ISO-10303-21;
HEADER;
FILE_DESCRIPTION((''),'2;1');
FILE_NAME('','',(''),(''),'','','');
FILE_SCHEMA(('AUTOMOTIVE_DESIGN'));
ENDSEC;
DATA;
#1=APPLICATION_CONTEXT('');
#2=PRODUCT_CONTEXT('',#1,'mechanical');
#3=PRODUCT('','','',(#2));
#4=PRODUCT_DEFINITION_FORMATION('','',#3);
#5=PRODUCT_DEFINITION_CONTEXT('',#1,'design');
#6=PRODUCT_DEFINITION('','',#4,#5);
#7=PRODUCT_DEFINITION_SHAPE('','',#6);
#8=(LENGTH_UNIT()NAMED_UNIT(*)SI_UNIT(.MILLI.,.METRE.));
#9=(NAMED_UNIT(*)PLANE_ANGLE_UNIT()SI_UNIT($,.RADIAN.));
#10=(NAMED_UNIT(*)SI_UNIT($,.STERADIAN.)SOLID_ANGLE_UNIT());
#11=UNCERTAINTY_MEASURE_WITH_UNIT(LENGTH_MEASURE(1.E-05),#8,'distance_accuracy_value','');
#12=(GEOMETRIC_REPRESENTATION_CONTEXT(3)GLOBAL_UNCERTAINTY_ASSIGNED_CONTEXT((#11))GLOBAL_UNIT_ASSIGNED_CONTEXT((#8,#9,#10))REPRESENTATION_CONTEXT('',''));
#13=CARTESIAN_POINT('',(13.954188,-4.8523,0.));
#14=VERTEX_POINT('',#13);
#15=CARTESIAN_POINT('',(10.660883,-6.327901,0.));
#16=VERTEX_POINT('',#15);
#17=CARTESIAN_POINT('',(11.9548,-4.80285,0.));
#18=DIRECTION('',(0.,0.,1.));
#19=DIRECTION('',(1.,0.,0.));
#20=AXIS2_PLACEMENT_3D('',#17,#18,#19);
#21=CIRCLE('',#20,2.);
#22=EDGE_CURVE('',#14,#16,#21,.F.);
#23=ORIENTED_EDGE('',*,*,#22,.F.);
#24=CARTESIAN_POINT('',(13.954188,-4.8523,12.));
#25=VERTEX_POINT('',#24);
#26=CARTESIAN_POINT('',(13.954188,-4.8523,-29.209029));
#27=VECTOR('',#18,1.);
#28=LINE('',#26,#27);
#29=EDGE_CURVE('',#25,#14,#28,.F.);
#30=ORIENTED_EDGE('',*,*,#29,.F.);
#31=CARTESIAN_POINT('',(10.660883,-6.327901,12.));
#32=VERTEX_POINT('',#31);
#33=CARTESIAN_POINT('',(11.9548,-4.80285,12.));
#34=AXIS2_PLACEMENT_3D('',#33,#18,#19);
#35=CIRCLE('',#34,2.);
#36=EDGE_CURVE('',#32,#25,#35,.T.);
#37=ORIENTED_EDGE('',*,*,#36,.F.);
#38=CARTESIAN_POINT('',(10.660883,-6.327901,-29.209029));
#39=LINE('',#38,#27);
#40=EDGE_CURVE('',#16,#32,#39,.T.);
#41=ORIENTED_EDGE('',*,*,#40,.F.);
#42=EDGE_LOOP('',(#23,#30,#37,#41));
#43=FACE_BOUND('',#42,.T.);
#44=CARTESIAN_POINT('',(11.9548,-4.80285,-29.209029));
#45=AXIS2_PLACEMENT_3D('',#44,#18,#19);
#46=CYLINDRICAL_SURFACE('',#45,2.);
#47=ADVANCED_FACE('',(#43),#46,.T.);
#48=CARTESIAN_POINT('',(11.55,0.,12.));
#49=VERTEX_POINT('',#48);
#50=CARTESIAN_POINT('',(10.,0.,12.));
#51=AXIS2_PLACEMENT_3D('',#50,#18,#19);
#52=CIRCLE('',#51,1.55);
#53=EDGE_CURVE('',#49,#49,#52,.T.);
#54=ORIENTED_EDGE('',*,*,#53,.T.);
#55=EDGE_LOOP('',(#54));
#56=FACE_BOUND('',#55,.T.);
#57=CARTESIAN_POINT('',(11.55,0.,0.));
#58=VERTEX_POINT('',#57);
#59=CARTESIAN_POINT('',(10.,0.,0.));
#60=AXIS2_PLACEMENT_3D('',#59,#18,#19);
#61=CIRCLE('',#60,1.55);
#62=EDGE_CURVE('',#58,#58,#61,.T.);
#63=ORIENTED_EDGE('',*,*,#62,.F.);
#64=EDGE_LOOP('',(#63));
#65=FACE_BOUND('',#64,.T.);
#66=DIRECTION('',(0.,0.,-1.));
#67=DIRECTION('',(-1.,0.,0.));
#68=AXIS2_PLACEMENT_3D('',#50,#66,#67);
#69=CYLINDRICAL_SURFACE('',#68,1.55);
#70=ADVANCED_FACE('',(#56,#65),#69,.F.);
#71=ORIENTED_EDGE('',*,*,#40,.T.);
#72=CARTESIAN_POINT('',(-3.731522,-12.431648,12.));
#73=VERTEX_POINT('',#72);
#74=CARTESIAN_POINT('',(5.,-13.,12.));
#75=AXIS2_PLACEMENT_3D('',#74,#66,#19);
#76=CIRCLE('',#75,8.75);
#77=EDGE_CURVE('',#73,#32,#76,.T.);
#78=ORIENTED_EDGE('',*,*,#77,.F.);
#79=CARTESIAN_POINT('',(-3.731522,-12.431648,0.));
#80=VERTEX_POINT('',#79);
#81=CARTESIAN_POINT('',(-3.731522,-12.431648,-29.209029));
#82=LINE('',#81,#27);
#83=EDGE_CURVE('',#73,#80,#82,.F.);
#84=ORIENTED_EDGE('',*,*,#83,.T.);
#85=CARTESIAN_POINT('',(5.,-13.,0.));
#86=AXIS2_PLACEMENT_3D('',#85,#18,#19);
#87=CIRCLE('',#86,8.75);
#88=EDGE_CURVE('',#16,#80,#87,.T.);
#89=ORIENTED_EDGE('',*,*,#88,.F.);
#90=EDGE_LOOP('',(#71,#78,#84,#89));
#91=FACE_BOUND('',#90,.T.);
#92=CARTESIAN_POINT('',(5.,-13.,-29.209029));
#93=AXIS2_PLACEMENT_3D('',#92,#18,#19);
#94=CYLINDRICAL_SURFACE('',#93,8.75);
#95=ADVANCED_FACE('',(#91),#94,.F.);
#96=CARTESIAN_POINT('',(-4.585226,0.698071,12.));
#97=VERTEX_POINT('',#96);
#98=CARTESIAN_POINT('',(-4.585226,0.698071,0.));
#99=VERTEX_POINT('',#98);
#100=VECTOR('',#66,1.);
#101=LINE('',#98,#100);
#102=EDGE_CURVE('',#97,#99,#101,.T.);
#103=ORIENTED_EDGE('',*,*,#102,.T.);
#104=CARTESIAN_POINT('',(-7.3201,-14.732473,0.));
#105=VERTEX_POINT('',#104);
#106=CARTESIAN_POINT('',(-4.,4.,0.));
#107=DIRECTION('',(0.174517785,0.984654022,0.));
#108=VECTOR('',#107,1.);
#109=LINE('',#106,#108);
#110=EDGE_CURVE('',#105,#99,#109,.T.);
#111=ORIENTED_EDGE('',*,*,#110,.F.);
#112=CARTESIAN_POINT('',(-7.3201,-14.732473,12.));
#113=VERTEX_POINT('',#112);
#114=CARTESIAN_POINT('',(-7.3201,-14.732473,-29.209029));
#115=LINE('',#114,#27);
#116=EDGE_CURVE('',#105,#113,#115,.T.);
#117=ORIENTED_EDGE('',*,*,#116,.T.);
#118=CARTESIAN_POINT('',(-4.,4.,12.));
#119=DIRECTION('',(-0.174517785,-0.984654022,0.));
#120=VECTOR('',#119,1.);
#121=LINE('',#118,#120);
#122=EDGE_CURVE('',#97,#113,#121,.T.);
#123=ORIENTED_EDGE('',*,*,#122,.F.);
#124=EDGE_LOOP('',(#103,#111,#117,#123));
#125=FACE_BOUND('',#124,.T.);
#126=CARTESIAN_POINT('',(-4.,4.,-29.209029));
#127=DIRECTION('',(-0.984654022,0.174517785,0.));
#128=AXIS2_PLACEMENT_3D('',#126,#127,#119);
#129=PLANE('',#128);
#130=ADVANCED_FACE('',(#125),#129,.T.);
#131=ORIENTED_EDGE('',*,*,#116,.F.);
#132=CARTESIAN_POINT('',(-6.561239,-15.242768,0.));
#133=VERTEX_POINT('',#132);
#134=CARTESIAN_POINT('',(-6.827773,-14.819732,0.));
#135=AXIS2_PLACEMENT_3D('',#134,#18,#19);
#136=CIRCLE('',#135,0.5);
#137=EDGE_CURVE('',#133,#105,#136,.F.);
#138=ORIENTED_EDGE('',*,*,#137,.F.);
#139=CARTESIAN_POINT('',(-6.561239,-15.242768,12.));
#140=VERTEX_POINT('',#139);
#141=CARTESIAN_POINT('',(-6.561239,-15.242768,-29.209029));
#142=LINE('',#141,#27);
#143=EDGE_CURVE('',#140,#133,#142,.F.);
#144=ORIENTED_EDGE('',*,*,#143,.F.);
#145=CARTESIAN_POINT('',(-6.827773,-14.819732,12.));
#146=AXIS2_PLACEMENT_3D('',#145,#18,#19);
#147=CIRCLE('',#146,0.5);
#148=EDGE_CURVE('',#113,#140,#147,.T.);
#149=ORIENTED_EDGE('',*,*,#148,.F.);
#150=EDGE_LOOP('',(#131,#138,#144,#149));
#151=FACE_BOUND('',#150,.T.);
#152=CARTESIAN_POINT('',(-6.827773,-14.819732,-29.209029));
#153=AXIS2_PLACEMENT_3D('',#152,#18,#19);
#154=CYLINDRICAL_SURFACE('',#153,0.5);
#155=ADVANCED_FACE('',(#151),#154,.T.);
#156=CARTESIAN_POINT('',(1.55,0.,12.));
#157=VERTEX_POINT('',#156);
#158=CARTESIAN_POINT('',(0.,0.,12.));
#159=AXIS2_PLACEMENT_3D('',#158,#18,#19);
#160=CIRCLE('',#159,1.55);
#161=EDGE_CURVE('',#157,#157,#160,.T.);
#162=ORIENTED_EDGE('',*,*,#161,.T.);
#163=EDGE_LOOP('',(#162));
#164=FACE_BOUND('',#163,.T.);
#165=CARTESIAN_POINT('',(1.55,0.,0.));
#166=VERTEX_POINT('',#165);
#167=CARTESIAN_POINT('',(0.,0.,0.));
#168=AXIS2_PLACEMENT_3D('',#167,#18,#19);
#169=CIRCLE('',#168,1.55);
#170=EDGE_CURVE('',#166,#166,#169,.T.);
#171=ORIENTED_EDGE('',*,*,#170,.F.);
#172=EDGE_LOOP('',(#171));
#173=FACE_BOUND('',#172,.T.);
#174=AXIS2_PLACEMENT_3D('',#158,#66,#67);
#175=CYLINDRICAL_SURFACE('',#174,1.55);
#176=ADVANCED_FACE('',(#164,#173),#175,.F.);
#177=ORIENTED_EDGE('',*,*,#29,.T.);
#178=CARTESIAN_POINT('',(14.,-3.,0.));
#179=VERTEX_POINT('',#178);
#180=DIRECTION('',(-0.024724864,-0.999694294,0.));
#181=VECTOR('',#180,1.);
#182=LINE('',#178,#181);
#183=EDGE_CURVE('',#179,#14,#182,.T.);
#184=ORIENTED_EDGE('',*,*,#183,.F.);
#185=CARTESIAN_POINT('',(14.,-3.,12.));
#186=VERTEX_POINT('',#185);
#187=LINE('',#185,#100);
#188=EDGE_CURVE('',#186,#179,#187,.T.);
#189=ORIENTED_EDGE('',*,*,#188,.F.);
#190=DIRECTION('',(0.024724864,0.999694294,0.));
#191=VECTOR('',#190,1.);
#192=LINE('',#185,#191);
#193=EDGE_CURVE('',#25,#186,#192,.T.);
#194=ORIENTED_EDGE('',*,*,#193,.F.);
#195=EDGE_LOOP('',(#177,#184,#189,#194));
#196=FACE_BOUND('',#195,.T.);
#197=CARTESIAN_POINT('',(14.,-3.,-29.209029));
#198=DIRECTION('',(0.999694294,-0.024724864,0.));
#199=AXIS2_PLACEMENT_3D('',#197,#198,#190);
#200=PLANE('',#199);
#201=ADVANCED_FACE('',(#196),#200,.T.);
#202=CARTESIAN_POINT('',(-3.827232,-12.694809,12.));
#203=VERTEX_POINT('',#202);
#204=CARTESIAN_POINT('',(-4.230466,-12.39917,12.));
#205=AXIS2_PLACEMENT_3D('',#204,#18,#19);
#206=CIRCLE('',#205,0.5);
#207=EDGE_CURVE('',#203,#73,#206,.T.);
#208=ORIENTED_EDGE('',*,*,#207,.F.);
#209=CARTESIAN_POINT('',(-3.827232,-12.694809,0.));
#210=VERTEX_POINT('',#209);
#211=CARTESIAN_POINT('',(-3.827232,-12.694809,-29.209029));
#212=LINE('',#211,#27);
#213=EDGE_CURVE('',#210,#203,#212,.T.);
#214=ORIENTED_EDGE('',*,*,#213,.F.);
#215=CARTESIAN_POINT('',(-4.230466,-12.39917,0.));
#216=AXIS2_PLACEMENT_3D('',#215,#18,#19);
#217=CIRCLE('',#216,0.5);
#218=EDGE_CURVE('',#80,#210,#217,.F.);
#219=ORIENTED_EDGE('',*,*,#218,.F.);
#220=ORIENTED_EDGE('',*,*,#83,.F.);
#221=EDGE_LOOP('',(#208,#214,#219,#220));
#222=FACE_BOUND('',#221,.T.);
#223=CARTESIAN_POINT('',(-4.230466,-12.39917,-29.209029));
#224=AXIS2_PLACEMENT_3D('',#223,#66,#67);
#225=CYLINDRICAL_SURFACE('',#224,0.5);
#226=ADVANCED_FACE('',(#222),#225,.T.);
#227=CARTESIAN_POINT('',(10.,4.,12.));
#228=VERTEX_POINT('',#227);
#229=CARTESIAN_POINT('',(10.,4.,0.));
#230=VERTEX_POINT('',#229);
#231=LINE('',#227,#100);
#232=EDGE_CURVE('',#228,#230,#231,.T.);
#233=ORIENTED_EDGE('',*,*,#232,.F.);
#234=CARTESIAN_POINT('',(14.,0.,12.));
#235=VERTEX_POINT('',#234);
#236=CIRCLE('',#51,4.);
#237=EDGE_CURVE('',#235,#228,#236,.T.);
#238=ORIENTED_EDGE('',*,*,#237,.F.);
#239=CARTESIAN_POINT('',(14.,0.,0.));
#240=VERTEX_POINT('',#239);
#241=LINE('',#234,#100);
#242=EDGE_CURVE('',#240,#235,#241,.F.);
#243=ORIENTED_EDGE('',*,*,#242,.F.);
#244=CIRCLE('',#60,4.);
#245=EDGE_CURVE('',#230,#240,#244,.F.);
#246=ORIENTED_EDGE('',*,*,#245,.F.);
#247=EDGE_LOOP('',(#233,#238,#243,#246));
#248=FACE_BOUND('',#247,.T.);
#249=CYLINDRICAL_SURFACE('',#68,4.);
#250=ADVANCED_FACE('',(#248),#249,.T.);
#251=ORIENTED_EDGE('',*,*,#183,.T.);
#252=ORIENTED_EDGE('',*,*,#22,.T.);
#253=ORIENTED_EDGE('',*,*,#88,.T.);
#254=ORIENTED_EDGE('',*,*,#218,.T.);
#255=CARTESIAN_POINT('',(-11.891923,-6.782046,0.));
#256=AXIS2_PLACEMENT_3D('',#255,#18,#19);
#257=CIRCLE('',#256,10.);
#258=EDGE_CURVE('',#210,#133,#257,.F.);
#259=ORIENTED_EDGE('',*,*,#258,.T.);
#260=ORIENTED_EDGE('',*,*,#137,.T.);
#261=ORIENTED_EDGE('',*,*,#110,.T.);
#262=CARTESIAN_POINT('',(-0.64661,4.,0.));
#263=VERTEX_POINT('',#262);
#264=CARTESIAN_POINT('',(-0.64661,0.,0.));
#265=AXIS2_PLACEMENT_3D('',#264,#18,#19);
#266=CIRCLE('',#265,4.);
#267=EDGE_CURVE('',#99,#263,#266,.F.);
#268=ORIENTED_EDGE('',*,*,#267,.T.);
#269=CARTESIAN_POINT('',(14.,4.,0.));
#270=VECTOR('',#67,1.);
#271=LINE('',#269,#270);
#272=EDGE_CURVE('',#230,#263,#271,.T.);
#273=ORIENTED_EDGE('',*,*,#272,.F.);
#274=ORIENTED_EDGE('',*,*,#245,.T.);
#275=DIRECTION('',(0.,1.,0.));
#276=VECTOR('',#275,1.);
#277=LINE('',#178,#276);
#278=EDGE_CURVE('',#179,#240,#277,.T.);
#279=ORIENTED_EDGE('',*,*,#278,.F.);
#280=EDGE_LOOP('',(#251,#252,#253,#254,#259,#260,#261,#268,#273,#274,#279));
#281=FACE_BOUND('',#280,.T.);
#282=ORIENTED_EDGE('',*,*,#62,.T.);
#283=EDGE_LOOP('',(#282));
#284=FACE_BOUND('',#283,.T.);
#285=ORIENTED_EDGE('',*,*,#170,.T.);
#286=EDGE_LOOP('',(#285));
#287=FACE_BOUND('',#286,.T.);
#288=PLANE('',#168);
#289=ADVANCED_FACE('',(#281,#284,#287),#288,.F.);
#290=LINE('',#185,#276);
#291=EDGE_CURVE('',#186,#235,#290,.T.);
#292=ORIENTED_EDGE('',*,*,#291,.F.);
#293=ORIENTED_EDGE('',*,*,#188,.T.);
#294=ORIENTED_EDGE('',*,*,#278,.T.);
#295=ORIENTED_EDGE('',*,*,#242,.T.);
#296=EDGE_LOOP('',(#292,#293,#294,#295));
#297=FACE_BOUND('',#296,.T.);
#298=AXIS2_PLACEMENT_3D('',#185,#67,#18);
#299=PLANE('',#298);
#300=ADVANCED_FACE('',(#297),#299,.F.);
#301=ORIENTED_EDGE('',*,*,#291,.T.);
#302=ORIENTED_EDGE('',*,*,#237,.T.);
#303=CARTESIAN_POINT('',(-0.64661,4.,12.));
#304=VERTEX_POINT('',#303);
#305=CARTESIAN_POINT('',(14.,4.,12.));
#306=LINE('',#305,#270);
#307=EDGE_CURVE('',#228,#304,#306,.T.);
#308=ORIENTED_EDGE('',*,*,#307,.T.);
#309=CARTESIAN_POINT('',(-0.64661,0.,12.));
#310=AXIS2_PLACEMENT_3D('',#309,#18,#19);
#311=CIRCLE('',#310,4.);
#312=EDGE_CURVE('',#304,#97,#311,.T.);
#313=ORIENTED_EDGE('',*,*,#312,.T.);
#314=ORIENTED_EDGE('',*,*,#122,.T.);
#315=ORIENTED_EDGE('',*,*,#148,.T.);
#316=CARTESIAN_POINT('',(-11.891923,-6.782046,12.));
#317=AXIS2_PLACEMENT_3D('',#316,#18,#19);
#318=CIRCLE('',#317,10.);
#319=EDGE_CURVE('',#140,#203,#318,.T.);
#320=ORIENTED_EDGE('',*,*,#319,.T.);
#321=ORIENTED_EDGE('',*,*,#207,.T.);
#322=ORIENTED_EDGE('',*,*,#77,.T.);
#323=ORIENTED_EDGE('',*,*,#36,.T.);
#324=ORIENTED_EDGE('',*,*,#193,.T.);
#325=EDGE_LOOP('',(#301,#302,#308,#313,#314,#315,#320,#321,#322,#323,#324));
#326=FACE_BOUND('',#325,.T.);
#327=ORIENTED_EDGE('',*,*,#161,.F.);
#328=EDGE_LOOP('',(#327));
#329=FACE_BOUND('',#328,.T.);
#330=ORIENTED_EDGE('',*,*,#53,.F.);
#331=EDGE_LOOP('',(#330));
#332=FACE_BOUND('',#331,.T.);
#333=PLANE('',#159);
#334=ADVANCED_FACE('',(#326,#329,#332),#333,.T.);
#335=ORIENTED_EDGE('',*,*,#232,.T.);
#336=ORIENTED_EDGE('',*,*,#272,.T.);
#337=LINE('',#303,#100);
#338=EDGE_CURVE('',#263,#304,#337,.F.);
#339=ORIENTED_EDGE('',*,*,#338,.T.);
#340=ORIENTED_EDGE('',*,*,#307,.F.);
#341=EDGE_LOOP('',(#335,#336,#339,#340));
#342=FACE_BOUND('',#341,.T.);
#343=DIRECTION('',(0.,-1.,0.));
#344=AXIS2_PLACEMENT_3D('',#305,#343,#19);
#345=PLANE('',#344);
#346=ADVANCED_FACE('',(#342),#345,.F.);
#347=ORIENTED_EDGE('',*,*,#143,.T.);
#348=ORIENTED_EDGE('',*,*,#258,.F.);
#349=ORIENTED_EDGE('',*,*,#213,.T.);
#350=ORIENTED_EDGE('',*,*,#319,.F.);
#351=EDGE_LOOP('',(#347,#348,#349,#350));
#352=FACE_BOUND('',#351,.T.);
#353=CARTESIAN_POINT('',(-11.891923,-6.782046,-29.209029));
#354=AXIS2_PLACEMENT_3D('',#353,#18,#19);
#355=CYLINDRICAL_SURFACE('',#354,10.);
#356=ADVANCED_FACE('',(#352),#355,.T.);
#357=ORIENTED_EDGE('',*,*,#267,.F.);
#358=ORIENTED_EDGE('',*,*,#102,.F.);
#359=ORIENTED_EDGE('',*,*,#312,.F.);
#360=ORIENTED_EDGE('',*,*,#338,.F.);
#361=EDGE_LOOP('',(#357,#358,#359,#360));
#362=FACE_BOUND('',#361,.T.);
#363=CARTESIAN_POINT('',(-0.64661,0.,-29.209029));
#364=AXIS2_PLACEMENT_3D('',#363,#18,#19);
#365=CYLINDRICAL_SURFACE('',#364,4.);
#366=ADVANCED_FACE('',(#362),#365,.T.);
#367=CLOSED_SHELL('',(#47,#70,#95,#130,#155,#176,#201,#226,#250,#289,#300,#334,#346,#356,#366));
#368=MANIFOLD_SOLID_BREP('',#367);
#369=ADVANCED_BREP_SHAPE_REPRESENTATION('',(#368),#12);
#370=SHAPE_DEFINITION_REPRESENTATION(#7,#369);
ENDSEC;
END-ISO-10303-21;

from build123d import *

# Parameters (mm, degrees)
SKETCH_1_R      = 1.5499999999999998
SKETCH_1_R_2    = 1.5499999999999994
EXTRUDE_1_DEPTH = 12
EXTRUDE_2_DEPTH = 12
FILLET_1_R      = 0.5
FILLET_2_R      = 4
FILLET_3_R      = 2


with BuildPart() as part:
    # 草图1 → 凸台-拉伸1 (new body)
    with BuildSketch(Plane.XY):
        Polygon((14.000000000000002, -2.9999999999999982), (-4.000000000000002, -3.0000000000000004), (-4.000000000000002, 4), (14.000000000000002, 4.000000000000002), align=None)
        Circle(SKETCH_1_R, mode=Mode.SUBTRACT)
        with Locations((10, 0)):
            Circle(SKETCH_1_R_2, mode=Mode.SUBTRACT)
    extrude(amount=EXTRUDE_1_DEPTH)

    # 草图2 → 凸台-拉伸2 (add)
    with BuildSketch(Plane.XY.offset(12)):
        with BuildLine():
            Line((-4.000000000000002, 4), (-4.000000000000002, -3.0000000000000004))
            Line((-4.000000000000002, -3.0000000000000004), (14.000000000000002, -2.9999999999999982))
            Line((14.000000000000002, -2.9999999999999982), (13.747325070832083, -13.216342563780504))
            ThreePointArc((13.747325070832083, -13.216342563780504), (5.32150522875723, -4.255908601356449), (-3.7395934787153213, -12.573378590451934))
            ThreePointArc((-3.7395934787153213, -12.573378590451934), (-5.421370715664583, -14.406478038174821), (-7.50358636440358, -15.767729760711498))
            Line((-7.50358636440358, -15.767729760711498), (-4.000000000000002, 4))
        make_face()
    extrude(amount=-EXTRUDE_2_DEPTH)

    # 圆角1
    fillet_1_edges = [part.edges().sort_by_distance(p)[0] for p in [
        (-7.50358636440358, -15.7677297607115, 6),
        (-3.7395934787153218, -12.573378590451934, 6),
    ]]
    fillet(fillet_1_edges, radius=FILLET_1_R)

    # 圆角2
    fillet_2_edges = [part.edges().sort_by_distance(p)[0] for p in [
        (-4.000000000000002, 4, 6),
        (14.000000000000002, 4.000000000000002, 6),
    ]]
    fillet(fillet_2_edges, radius=FILLET_2_R)

    # 圆角3
    fillet_3_edges = [part.edges().sort_by_distance(p)[0] for p in [
        (13.747325070832083, -13.216342563780504, 6),
    ]]
    fillet(fillet_3_edges, radius=FILLET_3_R)


solid = part.part
